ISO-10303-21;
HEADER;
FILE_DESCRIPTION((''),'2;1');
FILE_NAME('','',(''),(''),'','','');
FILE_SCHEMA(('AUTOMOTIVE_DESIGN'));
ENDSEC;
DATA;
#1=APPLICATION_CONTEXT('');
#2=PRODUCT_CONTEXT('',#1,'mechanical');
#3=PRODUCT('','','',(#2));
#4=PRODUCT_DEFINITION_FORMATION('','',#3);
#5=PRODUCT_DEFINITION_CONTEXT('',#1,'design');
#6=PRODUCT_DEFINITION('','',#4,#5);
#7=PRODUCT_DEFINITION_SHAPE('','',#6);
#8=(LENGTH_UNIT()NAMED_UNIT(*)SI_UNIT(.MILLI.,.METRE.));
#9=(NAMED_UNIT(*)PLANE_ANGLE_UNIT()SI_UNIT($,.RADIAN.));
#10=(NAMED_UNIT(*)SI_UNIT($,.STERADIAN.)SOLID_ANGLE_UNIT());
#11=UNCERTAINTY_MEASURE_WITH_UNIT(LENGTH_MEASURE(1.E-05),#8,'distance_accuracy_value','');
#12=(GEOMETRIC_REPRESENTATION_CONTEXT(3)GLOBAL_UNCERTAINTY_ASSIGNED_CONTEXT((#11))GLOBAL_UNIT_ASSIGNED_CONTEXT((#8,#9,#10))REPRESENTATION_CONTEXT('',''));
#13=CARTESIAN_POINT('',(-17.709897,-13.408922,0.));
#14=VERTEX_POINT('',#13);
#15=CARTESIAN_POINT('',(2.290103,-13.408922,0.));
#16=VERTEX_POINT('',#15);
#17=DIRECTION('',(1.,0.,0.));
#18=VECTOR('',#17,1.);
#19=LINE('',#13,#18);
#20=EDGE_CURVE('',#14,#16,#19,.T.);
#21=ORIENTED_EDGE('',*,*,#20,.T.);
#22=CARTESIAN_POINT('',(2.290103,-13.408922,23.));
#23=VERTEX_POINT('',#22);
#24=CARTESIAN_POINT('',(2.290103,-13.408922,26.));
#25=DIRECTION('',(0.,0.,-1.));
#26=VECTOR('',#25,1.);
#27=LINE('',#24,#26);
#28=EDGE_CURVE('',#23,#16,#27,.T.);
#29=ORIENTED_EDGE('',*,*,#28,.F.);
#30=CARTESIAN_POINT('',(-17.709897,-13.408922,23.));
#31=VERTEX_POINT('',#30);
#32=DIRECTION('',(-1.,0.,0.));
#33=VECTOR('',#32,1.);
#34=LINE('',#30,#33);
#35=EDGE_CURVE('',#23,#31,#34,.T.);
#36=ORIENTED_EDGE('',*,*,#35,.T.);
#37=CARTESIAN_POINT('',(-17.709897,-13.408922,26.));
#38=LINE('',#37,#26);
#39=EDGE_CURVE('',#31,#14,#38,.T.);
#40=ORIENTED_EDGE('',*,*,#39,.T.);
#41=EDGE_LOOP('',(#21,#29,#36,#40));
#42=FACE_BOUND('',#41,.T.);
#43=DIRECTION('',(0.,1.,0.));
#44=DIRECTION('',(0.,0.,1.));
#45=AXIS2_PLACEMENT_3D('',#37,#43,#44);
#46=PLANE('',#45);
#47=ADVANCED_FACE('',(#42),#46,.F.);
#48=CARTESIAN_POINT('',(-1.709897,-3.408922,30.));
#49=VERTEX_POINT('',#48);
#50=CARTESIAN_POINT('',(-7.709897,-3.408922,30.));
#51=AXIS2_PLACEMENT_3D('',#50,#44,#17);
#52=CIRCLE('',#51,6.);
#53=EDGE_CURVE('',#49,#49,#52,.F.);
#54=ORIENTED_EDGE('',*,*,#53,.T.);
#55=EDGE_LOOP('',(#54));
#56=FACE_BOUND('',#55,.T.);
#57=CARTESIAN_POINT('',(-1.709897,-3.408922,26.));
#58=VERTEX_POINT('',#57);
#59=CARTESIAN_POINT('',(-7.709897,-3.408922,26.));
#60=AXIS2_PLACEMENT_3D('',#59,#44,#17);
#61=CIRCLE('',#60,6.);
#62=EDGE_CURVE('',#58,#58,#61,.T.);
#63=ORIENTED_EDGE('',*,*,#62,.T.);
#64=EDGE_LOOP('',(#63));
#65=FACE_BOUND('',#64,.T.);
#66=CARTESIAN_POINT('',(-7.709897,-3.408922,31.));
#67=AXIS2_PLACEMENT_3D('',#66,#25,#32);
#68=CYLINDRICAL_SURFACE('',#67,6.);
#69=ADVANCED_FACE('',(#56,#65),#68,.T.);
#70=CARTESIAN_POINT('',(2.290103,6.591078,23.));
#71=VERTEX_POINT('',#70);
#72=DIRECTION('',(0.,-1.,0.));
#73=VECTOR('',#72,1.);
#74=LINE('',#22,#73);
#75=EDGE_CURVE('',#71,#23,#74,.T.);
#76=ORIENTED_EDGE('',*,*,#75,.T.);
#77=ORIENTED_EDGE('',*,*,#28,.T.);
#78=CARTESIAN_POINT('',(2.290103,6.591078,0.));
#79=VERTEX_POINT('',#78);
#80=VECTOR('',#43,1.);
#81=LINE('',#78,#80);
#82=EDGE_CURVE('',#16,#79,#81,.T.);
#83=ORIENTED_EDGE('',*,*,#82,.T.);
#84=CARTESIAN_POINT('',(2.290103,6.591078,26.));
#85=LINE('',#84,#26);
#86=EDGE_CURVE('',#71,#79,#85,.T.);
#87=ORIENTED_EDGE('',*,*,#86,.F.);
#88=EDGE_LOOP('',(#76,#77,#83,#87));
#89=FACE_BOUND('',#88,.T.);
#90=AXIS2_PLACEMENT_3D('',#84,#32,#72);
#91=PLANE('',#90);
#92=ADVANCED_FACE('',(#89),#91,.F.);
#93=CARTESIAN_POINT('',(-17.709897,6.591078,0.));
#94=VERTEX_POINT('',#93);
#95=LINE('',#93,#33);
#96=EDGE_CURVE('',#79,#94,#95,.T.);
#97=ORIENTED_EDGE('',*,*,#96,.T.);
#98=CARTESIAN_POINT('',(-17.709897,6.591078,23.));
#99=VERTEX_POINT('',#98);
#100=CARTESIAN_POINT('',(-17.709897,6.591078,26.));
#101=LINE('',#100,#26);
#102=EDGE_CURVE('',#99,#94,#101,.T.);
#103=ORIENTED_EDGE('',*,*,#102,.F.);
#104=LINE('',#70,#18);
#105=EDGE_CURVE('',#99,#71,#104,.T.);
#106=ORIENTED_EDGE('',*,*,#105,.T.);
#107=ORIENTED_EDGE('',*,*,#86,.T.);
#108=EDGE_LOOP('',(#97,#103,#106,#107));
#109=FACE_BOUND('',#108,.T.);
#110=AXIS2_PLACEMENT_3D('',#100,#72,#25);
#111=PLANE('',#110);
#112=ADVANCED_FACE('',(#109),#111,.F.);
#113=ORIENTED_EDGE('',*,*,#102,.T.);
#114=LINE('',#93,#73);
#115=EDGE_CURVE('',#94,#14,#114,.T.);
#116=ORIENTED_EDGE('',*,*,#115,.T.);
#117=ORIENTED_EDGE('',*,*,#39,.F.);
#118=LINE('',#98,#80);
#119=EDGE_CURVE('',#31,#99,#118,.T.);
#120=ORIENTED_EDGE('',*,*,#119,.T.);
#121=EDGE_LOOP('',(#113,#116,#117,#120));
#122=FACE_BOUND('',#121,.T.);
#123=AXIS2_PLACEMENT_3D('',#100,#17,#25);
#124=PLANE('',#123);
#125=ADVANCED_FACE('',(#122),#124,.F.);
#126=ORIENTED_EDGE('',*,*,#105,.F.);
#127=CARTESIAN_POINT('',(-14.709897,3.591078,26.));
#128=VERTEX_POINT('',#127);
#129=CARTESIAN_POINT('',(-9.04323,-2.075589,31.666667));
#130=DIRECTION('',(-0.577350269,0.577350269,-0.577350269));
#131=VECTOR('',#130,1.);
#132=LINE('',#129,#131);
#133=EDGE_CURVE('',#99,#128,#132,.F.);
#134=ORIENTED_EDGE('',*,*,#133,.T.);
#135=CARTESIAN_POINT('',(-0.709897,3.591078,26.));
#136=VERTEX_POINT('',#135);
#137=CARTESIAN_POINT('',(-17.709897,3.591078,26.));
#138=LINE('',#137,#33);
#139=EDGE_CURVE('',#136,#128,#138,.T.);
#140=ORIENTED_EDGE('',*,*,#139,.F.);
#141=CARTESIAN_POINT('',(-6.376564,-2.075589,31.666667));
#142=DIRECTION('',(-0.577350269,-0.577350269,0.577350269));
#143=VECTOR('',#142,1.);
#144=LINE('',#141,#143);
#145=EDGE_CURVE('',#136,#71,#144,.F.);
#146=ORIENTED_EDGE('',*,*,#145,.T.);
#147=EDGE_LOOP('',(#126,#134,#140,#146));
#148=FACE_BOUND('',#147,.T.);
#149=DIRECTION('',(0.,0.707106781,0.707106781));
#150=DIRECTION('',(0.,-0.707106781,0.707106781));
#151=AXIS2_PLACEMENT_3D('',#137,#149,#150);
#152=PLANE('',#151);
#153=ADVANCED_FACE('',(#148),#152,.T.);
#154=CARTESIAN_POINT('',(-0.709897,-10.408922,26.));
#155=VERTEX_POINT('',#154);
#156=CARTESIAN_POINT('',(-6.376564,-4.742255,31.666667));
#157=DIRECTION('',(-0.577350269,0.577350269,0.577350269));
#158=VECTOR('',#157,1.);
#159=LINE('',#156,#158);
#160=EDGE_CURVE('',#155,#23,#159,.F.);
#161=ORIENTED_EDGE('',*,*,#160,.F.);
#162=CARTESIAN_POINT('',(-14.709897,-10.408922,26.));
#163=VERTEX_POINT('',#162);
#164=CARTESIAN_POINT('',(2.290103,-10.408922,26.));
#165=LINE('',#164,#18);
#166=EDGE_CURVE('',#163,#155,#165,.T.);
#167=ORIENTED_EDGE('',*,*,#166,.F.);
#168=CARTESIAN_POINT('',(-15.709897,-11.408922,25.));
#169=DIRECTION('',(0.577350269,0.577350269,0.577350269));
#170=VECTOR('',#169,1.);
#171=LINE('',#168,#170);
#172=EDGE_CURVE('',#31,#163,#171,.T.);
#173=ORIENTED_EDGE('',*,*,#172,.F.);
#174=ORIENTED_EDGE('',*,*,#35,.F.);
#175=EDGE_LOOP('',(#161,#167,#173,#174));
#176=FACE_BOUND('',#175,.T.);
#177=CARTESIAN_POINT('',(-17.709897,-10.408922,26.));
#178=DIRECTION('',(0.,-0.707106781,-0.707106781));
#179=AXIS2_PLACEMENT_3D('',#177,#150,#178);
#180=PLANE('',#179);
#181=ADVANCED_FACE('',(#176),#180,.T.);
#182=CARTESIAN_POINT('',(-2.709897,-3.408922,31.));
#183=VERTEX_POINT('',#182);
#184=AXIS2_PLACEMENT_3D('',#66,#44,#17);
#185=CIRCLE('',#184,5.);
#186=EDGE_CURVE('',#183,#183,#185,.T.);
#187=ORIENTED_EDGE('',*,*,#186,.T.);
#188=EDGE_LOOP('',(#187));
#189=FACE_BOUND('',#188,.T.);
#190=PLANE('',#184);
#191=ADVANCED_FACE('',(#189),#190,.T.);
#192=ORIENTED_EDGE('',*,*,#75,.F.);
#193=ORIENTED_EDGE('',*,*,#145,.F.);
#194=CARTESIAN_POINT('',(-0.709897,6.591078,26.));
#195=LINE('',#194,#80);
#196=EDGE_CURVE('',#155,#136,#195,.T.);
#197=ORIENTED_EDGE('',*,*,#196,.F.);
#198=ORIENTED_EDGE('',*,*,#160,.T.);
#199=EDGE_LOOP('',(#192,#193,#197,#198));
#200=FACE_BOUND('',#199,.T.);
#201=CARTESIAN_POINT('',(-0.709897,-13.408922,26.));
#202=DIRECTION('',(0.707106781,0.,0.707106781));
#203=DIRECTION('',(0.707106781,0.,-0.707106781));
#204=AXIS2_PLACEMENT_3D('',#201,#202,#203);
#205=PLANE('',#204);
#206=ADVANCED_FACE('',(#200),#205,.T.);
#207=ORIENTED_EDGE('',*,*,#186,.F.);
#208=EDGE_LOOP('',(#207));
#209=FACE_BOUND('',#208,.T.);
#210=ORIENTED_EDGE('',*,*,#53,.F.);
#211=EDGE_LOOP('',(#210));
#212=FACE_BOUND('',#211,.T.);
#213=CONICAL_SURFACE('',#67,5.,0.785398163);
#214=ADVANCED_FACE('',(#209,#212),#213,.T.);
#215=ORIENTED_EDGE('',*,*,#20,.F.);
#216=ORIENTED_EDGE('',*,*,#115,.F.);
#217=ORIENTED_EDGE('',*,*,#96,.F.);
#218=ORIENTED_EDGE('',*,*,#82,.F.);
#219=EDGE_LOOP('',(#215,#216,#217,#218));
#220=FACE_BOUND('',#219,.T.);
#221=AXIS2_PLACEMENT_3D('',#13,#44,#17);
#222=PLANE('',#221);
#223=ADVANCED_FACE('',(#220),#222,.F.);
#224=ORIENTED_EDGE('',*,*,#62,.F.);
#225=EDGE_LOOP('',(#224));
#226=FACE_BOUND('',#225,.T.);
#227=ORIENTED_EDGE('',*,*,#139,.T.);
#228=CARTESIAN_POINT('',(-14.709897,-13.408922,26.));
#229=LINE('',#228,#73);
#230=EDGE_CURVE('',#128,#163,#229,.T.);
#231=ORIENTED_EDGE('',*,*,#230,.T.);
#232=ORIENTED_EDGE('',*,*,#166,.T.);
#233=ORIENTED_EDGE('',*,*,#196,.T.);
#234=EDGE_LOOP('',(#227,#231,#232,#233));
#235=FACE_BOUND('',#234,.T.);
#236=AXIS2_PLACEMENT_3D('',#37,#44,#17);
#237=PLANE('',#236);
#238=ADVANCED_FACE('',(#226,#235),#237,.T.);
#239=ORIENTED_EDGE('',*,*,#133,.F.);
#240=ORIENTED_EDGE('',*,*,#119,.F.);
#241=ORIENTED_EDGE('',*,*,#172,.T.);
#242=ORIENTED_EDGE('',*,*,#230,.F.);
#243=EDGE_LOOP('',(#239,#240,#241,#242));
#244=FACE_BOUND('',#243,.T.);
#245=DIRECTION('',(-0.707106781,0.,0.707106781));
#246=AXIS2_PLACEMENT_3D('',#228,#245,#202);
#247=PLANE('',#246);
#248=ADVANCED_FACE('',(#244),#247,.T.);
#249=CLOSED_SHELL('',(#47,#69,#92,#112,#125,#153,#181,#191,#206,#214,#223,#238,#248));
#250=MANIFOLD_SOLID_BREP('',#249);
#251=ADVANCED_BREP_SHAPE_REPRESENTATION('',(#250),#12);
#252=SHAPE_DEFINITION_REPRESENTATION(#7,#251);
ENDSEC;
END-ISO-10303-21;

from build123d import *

# Parameters (mm, degrees)
SKETCH1_W      = 20
SKETCH1_H      = 20
EXTRUDE1_DEPTH = 26
CHAMFER1_SIZE  = 3
SKETCH3_R      = 6
EXTRUDE3_DEPTH = 5
CHAMFER2_SIZE  = 1


with BuildPart() as part:
    # Sketch1 → Extrude1 (new body)
    with BuildSketch(Plane.XY):
        with Locations((-7.709896983, -3.408922001)):
            Rectangle(SKETCH1_W, SKETCH1_H)
    extrude(amount=EXTRUDE1_DEPTH)

    # Chamfer1
    chamfer1_edges = [part.edges().sort_by_distance(p)[0] for p in [
        (2.290103017, -3.408922001, 26),
        (-7.709896983, 6.591077999, 26),
        (-17.709896983, -3.408922001, 26),
        (-7.709896983, -13.408922001, 26),
    ]]
    chamfer(chamfer1_edges, length=CHAMFER1_SIZE)

    # Sketch3 → Extrude3 (add)
    with BuildSketch(Plane.XY.offset(26)):
        with Locations((-7.709896983, -3.408922001)):
            Circle(SKETCH3_R)
    extrude(amount=EXTRUDE3_DEPTH)

    # Chamfer2
    chamfer2_edges = [part.edges().sort_by_distance(p)[0] for p in [
        (-13.709896983, -3.408922001, 31),
    ]]
    chamfer(chamfer2_edges, length=CHAMFER2_SIZE)


solid = part.part
